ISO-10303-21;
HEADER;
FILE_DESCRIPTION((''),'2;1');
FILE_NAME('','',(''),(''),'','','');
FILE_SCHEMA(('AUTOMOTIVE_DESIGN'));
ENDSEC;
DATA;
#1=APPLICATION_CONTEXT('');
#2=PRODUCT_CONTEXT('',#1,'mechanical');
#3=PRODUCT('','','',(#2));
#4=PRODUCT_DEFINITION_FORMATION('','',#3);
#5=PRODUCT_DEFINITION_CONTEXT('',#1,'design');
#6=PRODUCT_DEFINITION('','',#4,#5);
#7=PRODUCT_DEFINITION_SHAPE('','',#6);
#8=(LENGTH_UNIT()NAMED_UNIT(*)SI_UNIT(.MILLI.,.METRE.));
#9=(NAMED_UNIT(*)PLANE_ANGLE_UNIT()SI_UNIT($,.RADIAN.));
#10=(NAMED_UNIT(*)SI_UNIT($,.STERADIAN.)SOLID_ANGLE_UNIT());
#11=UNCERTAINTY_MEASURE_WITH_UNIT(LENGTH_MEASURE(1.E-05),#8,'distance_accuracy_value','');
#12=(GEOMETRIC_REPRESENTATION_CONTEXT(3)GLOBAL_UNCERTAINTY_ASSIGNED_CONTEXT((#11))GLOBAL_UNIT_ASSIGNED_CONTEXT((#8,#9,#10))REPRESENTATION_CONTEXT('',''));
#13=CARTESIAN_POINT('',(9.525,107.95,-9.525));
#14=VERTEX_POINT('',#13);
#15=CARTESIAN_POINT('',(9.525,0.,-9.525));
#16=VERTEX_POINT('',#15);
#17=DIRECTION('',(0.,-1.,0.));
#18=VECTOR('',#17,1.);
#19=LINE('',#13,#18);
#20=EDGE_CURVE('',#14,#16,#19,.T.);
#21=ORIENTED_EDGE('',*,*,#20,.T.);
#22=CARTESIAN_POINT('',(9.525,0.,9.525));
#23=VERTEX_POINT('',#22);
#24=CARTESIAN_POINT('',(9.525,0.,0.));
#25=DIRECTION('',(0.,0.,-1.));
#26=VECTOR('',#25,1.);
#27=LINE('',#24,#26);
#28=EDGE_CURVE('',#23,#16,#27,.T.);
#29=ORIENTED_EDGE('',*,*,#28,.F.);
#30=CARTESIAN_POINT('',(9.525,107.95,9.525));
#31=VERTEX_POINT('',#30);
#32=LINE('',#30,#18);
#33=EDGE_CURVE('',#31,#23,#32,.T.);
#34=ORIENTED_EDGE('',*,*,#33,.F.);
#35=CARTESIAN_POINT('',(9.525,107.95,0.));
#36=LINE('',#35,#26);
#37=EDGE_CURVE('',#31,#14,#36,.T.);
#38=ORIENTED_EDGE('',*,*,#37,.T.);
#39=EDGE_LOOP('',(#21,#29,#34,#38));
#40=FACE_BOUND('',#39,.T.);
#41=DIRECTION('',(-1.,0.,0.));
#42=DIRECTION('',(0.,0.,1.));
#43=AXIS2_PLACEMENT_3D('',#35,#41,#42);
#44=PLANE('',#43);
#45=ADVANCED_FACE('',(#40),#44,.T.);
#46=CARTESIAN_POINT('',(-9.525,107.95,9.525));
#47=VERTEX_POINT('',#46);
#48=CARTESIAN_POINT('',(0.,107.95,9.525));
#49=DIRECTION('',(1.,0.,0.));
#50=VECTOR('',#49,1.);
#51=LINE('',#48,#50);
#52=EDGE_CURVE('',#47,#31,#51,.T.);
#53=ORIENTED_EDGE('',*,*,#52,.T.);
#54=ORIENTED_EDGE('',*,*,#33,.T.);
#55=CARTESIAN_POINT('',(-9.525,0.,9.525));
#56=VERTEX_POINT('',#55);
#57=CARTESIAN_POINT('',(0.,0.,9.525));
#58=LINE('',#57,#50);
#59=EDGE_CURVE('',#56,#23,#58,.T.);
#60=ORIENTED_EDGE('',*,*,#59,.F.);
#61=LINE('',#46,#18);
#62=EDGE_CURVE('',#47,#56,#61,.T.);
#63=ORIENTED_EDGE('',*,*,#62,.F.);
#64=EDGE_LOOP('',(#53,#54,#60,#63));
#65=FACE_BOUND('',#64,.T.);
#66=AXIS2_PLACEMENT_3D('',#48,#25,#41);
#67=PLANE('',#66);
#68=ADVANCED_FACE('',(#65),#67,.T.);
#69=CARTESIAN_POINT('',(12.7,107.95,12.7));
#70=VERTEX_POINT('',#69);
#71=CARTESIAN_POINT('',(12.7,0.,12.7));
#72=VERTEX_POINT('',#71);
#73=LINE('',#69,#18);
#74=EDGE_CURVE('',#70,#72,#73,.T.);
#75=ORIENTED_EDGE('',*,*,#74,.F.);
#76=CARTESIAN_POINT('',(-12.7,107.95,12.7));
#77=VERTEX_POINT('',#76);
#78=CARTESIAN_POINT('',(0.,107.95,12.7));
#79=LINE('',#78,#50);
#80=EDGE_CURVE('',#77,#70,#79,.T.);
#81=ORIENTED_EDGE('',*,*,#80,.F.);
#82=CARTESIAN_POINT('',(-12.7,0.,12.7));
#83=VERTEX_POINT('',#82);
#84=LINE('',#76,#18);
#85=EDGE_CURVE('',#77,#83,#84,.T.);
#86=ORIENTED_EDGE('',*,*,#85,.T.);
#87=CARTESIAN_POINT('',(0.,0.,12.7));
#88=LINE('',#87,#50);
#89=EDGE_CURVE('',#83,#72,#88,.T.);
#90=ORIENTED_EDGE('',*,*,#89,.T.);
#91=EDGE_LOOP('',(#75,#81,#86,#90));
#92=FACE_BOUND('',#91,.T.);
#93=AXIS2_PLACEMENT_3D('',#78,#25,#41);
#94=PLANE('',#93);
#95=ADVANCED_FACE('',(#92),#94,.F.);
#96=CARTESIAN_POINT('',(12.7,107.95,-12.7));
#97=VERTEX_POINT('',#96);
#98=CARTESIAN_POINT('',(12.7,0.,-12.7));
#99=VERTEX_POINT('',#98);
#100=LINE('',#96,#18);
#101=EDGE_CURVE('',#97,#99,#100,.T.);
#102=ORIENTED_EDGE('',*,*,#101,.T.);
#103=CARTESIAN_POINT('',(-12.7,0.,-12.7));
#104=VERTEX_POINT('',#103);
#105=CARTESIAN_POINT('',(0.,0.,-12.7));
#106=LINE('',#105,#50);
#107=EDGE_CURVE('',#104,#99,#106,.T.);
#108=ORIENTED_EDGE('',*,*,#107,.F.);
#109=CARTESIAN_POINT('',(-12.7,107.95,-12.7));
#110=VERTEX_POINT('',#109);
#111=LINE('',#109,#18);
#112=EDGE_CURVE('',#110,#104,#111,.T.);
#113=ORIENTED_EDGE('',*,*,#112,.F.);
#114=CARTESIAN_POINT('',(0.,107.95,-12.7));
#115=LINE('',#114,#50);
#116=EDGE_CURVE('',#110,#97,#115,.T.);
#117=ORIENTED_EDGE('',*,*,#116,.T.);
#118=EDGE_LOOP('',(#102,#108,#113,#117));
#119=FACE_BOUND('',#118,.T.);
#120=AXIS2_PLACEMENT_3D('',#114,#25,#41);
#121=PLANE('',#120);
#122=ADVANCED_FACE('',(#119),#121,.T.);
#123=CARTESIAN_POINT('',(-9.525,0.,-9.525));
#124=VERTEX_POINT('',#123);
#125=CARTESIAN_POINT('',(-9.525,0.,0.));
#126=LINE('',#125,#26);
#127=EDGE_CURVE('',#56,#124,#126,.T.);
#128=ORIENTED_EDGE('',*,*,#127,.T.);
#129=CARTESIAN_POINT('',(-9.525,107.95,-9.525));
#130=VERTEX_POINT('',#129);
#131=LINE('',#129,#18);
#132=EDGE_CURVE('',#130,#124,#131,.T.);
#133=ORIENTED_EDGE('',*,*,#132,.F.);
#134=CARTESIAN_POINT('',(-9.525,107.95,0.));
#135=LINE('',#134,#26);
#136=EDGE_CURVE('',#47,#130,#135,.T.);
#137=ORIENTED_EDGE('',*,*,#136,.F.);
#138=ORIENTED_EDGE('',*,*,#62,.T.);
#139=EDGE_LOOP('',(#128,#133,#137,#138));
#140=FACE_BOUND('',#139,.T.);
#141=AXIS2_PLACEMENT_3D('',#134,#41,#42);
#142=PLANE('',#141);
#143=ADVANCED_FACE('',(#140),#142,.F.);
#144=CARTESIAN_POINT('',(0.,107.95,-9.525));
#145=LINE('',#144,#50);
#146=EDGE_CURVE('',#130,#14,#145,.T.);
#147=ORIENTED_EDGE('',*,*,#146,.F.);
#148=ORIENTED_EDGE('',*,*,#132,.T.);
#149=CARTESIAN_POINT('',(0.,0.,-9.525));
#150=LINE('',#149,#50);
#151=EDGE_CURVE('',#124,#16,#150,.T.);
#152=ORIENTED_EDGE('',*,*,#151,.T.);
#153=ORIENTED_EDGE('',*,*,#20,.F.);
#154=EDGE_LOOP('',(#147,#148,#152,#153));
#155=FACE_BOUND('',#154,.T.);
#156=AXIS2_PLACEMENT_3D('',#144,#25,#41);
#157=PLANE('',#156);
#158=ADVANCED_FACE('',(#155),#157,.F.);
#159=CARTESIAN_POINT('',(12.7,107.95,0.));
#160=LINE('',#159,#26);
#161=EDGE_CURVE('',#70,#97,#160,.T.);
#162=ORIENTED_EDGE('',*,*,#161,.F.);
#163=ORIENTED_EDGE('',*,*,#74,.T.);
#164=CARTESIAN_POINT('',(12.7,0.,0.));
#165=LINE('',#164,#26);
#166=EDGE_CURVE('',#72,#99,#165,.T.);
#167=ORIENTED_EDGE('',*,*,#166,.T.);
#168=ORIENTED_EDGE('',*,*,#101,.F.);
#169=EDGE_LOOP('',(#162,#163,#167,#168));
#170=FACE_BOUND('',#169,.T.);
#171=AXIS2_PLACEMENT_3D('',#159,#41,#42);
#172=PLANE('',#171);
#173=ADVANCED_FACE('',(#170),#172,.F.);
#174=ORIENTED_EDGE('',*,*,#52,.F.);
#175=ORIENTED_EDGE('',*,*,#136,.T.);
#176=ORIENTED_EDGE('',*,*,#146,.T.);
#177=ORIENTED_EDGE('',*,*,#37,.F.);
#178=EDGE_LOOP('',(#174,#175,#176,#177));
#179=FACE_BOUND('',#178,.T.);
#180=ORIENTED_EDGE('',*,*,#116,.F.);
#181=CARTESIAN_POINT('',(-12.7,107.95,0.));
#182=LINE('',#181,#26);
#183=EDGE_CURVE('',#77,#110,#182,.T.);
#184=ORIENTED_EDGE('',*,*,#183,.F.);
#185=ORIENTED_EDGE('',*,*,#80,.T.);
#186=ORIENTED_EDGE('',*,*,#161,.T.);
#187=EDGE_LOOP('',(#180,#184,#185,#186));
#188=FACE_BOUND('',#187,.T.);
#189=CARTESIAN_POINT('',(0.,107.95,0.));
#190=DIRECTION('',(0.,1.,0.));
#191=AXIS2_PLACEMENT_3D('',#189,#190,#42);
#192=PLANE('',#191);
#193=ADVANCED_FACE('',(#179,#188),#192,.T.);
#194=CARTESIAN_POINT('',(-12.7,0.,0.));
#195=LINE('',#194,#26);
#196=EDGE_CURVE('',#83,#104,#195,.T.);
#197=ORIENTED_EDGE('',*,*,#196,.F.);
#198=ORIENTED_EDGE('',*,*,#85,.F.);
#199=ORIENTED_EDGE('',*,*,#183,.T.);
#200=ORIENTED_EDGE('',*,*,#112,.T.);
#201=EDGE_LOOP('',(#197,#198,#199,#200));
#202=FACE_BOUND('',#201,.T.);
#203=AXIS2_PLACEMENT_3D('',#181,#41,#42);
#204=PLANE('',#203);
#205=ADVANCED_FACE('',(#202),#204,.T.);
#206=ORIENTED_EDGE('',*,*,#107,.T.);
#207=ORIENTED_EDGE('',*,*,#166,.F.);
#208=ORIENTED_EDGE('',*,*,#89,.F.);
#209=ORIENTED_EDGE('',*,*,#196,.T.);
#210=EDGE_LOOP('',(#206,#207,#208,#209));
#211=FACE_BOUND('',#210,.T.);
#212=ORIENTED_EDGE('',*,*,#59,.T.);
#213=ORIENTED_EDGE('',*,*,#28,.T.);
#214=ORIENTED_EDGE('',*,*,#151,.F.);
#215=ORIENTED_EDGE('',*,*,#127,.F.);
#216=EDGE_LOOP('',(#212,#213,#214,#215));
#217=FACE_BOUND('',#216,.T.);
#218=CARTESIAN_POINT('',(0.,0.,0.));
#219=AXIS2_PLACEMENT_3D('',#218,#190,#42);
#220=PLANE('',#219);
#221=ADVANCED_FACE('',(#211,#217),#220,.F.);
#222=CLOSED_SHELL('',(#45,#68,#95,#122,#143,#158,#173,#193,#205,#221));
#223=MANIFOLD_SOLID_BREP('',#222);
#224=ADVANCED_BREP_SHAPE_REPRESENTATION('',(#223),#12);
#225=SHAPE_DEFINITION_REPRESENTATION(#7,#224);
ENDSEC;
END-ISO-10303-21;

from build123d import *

# Parameters (mm, degrees)
SKETCH1_W           = 25.4
SKETCH1_H           = 25.4
SKETCH1_W_2         = 19.05
SKETCH1_H_2         = 19.05
BOSS_EXTRUDE1_DEPTH = 107.95


with BuildPart() as part:
    # Sketch1 → Boss-Extrude1 (new body)
    with BuildSketch(Plane(origin=(0, 0, 0), x_dir=(1, 0, 0), z_dir=(0, 1, 0))):
        Rectangle(SKETCH1_W, SKETCH1_H)
        Rectangle(SKETCH1_W_2, SKETCH1_H_2, mode=Mode.SUBTRACT)
    extrude(amount=BOSS_EXTRUDE1_DEPTH)


solid = part.part
